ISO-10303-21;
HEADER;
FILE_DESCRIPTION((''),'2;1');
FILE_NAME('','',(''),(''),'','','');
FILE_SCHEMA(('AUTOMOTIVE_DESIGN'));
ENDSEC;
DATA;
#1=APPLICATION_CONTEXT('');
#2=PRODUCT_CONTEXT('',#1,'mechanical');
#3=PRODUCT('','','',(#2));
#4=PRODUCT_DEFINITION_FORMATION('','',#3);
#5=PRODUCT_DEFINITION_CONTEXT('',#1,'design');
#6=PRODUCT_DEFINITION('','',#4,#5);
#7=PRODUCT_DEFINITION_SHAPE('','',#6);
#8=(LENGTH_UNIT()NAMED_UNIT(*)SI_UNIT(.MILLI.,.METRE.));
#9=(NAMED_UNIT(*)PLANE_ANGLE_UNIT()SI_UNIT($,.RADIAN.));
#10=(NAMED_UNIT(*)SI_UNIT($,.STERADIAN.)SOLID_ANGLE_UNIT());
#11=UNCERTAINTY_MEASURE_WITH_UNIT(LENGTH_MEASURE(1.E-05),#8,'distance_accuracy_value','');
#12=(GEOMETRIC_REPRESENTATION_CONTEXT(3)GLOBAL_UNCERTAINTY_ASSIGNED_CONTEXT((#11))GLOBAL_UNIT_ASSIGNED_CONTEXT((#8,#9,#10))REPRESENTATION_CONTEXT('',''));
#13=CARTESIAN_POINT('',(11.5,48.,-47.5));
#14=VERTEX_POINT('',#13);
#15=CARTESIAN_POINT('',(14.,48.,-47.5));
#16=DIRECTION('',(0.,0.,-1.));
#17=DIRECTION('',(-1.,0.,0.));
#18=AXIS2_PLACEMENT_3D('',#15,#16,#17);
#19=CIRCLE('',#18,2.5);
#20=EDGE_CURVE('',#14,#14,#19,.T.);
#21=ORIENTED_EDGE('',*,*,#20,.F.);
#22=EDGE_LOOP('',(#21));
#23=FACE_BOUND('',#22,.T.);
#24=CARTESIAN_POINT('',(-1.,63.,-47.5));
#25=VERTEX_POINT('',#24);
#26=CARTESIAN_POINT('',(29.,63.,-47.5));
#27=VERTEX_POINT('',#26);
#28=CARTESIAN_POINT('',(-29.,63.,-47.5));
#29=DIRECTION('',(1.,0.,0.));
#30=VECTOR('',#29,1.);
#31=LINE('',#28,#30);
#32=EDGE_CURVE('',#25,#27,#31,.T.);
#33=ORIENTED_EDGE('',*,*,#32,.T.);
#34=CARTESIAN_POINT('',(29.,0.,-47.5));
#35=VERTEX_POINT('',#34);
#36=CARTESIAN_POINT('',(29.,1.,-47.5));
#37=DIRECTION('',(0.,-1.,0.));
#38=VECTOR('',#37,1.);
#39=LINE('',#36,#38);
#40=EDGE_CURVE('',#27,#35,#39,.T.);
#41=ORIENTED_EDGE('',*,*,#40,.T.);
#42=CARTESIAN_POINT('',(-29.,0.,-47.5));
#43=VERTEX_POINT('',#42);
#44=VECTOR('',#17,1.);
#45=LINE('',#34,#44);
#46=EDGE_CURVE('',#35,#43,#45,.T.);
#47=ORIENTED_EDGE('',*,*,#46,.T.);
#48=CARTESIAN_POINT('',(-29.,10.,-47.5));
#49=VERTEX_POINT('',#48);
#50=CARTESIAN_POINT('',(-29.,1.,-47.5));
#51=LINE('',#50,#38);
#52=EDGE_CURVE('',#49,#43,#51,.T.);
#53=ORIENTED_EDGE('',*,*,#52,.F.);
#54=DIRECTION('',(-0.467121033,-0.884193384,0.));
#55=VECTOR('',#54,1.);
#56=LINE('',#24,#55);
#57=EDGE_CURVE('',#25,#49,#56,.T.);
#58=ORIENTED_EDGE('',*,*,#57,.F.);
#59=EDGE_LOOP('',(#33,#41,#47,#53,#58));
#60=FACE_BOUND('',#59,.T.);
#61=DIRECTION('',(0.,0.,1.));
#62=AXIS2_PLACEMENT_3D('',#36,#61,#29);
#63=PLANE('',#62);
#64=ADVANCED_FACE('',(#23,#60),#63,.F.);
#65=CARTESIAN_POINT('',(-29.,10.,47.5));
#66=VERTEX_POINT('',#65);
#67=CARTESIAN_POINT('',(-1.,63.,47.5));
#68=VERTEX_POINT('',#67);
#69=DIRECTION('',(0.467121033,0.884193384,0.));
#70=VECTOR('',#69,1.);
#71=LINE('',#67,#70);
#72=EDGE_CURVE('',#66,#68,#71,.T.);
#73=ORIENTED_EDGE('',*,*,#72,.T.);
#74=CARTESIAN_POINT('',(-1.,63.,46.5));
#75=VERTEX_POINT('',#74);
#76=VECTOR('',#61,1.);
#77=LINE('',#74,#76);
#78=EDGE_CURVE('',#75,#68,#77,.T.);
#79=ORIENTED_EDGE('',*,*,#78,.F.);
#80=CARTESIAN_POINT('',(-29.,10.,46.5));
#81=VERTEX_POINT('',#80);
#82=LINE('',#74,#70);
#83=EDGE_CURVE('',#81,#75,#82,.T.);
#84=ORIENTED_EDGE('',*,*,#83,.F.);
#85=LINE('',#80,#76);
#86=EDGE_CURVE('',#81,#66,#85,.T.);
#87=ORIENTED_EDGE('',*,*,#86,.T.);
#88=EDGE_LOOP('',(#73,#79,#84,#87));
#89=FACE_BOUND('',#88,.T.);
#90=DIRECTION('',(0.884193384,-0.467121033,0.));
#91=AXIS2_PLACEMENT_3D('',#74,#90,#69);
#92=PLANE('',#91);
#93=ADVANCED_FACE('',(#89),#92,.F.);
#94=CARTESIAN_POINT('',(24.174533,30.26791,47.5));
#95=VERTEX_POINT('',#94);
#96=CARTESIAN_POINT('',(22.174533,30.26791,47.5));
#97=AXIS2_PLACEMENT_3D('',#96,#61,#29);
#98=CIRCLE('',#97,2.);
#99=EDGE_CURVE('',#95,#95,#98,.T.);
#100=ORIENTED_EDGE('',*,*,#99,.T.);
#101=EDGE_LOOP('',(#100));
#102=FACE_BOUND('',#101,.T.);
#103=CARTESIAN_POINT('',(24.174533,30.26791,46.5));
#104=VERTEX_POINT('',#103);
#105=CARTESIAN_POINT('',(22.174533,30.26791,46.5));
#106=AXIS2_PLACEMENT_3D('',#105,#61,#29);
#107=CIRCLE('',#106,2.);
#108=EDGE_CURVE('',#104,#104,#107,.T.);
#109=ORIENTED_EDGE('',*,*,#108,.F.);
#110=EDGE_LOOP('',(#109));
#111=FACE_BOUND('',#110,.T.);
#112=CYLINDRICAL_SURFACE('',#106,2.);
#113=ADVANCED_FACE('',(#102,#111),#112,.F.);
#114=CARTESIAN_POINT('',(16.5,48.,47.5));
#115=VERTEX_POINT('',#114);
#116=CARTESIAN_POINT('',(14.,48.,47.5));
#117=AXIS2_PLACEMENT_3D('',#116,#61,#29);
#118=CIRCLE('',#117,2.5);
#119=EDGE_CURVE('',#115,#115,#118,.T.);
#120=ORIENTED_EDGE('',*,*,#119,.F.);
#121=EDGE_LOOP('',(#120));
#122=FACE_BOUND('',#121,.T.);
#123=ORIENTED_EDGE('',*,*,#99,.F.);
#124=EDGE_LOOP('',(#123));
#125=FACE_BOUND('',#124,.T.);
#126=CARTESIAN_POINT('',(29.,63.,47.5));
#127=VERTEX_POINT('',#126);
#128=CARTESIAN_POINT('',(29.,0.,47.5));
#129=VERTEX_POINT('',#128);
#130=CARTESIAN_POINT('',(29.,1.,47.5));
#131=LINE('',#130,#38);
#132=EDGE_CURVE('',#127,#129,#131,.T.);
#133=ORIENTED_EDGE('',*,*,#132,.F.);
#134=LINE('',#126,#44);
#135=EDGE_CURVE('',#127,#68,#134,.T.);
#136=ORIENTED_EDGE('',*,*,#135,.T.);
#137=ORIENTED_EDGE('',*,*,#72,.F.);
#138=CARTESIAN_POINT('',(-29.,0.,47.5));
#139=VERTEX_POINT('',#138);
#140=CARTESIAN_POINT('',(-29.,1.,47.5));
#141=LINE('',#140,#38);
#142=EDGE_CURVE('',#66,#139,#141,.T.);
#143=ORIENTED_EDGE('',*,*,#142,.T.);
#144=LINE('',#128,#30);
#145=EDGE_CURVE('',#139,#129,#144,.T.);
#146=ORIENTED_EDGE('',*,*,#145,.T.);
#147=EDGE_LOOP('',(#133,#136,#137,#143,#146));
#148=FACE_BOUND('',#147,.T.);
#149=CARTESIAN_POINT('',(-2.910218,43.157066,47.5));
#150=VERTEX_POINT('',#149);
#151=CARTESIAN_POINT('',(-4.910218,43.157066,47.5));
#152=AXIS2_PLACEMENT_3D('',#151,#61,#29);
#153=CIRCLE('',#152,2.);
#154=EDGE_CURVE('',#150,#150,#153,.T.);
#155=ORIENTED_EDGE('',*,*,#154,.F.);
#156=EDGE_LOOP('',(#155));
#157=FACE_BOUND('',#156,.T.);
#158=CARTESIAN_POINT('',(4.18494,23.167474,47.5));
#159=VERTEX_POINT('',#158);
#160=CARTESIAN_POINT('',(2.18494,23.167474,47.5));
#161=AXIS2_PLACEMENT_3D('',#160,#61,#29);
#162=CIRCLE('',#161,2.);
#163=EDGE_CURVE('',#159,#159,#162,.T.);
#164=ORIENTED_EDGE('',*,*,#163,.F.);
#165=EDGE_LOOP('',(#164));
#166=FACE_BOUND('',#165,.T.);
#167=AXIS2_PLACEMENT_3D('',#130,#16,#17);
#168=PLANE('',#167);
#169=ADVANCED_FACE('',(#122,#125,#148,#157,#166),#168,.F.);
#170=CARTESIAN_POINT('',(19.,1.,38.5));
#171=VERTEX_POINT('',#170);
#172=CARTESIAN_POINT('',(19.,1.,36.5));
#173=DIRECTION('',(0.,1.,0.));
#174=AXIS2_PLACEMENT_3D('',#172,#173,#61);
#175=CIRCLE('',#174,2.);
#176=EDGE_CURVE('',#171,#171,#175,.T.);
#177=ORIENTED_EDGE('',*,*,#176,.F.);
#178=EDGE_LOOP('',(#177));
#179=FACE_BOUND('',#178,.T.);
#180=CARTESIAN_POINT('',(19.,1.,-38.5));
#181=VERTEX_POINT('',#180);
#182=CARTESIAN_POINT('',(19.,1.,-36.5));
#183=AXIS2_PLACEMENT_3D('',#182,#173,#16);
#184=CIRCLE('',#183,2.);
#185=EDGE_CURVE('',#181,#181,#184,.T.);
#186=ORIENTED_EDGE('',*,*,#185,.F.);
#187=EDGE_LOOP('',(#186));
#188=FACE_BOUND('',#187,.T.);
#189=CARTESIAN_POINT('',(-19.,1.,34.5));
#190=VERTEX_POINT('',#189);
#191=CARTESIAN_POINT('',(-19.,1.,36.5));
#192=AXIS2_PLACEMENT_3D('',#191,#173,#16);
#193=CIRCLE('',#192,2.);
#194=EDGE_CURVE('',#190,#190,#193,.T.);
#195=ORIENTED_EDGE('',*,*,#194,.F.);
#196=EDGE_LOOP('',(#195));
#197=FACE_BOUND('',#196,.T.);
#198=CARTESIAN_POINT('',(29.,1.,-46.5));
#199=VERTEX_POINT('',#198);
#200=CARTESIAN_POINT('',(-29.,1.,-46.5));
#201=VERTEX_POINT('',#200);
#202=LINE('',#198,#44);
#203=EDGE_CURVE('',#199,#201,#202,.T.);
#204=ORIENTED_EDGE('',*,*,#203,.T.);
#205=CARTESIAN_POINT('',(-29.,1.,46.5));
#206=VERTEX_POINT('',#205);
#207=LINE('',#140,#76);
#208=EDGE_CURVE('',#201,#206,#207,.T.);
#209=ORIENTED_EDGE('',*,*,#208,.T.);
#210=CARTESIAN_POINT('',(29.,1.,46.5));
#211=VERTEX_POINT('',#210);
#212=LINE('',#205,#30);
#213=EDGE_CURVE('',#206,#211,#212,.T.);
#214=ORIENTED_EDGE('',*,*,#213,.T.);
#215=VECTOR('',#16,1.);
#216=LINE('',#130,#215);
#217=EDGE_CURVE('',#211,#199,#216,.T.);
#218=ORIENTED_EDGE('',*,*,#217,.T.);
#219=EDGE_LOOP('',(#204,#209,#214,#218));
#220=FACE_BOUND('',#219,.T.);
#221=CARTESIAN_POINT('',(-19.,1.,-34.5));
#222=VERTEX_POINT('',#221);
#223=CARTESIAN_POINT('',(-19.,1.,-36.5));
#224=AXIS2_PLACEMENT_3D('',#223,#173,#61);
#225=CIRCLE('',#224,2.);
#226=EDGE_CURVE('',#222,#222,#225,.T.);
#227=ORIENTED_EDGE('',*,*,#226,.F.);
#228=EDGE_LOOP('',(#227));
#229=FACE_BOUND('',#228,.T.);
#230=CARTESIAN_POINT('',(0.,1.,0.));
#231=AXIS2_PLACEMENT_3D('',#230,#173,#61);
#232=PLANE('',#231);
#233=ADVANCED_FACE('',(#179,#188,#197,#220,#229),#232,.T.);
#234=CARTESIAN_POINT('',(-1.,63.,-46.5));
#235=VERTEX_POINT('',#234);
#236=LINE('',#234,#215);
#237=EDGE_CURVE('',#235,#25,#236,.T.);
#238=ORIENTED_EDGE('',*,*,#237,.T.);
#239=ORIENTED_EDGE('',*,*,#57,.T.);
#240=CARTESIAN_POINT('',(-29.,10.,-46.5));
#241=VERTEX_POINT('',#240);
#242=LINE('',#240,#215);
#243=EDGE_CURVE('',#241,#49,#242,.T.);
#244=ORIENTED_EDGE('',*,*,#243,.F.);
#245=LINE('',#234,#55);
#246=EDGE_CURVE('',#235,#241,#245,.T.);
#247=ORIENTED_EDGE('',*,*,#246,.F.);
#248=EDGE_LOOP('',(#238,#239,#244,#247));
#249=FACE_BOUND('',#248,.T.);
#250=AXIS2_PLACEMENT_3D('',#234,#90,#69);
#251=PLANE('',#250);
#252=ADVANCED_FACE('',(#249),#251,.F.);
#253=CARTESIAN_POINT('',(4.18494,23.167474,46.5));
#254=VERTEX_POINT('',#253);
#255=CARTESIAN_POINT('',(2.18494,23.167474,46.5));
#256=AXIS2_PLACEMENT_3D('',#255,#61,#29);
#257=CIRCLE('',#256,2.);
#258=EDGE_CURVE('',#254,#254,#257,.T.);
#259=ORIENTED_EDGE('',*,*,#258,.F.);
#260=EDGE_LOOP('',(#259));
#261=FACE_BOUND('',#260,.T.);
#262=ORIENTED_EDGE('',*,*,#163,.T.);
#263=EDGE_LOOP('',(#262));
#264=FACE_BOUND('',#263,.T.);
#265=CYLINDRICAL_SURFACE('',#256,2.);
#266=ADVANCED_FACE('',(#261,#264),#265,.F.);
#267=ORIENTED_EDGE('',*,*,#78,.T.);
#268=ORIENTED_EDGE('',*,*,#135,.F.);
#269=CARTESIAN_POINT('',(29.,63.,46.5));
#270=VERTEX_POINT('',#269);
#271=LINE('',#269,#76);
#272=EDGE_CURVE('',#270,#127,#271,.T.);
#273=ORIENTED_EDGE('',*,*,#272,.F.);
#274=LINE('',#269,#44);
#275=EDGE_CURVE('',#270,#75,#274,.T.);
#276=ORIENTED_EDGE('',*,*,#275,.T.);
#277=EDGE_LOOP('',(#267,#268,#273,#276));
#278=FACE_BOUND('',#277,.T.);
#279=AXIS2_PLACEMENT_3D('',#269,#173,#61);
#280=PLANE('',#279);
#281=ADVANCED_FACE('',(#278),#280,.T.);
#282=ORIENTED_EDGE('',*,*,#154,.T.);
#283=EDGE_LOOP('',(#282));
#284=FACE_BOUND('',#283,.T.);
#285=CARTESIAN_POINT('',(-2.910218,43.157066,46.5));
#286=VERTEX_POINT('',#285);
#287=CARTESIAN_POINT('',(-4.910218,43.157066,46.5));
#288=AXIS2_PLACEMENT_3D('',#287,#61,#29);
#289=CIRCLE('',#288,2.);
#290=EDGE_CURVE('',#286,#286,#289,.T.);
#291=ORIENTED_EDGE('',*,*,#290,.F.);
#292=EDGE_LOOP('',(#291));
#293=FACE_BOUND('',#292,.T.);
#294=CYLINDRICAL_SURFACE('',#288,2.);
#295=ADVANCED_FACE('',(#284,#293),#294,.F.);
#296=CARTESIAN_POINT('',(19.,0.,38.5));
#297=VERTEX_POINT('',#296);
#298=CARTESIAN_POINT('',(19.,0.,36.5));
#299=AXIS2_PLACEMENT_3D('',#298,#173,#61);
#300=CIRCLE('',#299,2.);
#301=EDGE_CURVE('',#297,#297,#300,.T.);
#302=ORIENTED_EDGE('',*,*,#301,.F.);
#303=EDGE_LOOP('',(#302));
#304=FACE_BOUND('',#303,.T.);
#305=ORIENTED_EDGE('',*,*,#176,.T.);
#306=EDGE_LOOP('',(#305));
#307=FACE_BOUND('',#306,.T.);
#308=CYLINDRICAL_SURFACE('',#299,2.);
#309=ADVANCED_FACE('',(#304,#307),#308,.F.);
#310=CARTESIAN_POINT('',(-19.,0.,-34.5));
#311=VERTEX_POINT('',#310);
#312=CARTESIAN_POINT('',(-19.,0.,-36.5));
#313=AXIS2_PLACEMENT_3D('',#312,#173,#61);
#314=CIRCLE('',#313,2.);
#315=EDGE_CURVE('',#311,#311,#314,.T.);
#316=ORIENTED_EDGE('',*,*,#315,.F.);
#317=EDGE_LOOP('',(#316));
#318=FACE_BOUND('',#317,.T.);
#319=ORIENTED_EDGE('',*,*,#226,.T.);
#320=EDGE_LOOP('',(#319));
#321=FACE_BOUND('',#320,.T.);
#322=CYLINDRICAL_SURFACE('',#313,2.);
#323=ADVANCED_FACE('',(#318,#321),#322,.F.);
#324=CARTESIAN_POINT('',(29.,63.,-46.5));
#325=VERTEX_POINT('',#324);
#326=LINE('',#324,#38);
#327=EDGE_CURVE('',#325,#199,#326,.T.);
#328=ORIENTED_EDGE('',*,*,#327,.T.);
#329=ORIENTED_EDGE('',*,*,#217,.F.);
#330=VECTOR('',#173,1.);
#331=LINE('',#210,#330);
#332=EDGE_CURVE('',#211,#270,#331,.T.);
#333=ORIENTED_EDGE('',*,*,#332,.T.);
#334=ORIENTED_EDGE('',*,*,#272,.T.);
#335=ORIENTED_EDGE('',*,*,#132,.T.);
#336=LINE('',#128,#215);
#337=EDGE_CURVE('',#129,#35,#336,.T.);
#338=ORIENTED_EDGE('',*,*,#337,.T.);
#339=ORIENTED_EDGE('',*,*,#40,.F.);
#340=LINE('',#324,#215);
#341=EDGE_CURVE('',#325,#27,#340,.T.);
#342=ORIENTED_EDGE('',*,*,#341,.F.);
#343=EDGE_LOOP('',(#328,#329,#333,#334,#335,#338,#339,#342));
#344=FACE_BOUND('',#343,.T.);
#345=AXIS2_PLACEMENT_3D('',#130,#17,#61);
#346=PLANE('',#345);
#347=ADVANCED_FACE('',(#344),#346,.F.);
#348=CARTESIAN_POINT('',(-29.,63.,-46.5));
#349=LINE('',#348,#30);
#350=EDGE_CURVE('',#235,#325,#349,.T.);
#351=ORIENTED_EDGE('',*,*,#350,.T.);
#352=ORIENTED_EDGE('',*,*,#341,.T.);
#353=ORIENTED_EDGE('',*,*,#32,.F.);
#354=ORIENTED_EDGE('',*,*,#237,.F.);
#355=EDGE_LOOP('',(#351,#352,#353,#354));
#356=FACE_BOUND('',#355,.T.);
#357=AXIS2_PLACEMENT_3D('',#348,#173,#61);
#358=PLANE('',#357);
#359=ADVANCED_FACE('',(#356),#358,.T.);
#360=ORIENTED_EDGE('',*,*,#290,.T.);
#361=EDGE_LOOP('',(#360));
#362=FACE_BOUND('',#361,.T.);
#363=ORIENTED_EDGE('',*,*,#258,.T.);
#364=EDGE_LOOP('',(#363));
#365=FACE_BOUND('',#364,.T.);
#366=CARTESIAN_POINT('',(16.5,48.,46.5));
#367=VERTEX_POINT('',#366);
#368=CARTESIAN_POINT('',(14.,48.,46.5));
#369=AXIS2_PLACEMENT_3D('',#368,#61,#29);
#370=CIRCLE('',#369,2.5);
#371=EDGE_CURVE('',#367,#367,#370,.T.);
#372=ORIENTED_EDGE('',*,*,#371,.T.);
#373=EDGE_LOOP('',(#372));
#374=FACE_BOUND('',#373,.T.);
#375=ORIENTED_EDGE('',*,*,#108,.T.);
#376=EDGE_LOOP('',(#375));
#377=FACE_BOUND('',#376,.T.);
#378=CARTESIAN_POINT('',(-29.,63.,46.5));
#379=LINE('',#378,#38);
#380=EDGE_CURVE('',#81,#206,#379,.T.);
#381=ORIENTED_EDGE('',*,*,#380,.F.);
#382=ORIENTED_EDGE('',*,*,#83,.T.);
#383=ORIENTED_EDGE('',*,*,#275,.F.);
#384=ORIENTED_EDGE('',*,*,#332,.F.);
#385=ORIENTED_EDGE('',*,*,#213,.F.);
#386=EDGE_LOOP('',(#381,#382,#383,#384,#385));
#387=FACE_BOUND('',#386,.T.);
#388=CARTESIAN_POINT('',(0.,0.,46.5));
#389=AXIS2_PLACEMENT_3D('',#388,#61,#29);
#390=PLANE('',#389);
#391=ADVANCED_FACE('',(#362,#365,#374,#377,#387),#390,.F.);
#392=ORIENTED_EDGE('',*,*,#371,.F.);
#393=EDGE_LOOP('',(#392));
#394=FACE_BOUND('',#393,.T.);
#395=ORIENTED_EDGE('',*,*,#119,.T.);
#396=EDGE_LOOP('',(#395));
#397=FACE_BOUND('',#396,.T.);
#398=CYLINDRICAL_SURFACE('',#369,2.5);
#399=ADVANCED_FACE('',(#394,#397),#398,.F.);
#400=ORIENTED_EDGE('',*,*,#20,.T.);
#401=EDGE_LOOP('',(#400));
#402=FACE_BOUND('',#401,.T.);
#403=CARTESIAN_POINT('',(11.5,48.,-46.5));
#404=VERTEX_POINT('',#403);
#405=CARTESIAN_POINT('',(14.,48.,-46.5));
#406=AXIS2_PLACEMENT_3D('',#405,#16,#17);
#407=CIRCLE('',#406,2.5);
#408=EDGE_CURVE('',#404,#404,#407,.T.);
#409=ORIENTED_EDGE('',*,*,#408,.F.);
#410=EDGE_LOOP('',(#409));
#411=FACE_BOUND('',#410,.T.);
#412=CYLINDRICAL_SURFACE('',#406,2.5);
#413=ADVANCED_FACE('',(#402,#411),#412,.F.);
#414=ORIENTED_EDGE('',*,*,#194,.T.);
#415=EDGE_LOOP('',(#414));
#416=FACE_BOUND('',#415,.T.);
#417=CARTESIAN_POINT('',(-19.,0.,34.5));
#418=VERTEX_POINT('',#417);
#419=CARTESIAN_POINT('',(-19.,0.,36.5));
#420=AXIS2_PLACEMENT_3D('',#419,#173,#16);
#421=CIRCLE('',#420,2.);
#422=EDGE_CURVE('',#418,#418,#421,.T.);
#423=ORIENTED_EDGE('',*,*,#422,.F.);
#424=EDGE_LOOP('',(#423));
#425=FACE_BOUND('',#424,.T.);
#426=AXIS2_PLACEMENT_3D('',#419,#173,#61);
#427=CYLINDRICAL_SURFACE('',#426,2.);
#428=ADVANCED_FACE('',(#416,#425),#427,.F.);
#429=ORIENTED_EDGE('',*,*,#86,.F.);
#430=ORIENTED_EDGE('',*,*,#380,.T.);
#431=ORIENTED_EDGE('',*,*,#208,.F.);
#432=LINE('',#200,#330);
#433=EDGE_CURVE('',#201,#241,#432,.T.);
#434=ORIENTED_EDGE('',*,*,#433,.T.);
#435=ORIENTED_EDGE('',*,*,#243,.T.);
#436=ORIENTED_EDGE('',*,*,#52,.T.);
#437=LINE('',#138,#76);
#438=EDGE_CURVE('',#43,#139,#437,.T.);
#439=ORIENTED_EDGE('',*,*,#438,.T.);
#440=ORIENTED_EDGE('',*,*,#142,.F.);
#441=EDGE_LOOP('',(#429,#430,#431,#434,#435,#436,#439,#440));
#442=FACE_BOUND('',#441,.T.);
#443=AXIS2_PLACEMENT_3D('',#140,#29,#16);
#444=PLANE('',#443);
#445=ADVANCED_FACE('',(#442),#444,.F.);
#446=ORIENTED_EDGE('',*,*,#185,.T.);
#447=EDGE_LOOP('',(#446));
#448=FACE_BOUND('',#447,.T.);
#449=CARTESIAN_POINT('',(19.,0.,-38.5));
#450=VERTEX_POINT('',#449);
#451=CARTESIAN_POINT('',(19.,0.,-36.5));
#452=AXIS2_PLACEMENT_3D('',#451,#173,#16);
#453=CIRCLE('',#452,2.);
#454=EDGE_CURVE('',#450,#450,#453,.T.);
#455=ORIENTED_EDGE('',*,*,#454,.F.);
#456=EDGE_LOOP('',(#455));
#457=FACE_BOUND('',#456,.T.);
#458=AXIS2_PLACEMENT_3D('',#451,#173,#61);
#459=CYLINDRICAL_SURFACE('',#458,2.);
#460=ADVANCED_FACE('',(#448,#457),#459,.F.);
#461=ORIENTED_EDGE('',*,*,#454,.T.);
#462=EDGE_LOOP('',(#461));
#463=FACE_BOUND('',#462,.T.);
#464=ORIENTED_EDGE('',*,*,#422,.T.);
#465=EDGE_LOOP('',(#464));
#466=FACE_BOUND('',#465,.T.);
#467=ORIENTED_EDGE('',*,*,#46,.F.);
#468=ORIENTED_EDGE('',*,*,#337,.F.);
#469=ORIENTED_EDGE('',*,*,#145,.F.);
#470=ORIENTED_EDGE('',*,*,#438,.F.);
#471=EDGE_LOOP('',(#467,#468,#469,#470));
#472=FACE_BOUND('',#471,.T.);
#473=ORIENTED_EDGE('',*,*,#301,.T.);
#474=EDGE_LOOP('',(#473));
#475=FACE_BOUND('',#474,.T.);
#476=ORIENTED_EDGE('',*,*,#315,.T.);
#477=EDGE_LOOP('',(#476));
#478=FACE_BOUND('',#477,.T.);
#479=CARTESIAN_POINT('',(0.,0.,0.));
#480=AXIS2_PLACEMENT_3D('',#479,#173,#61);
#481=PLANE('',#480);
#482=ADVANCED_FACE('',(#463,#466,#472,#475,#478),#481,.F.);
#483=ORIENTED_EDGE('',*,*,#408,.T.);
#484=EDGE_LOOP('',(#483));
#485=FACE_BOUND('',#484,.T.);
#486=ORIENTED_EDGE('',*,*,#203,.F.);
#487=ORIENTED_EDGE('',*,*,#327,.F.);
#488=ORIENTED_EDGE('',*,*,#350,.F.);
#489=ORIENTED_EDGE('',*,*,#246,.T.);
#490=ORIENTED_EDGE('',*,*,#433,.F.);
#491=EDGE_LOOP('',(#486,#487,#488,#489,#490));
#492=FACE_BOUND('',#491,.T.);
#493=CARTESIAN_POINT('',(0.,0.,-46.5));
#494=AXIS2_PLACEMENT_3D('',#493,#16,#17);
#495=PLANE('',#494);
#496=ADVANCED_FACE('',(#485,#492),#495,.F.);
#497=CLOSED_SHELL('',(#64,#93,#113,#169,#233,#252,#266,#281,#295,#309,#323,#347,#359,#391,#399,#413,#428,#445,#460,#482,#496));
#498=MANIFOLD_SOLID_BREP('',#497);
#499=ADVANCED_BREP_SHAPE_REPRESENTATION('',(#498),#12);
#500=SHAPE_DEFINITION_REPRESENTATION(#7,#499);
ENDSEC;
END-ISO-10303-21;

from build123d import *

# Parameters (mm, degrees)
CROQUIS1_W              = 58
CROQUIS1_H              = 95
SALIENTE_EXTRUIR4_DEPTH = 1
CROQUIS3_W              = 58
CROQUIS3_H              = 62
SALIENTE_EXTRUIR5_DEPTH = 1
CROQUIS4_W              = 58
CROQUIS4_H              = 62
SALIENTE_EXTRUIR6_DEPTH = 1
CORTAR_EXTRUIR4_DEPTH   = 1
CORTAR_EXTRUIR5_DEPTH   = 1
CROQUIS8_R              = 2.5
CORTAR_EXTRUIR6_DEPTH   = 1
CORTAR_EXTRUIR7_START   = -1
CROQUIS9_R              = 2.5
CORTAR_EXTRUIR7_DEPTH   = 1
CROQUIS10_R             = 2
CORTAR_EXTRUIR8_DEPTH   = 1
CROQUIS11_R             = 2
CORTAR_EXTRUIR9_DEPTH   = 1


with BuildPart() as part:
    # Croquis1 → Saliente-Extruir4 (new body)
    with BuildSketch(Plane(origin=(0, 0, 0), x_dir=(1, 0, 0), z_dir=(0, 1, 0))):
        Rectangle(CROQUIS1_W, CROQUIS1_H)
    extrude(amount=SALIENTE_EXTRUIR4_DEPTH)

    # Croquis3 → Saliente-Extruir5 (add)
    with BuildSketch(Plane.XY.offset(47.5)):
        with Locations((0, 32)):
            Rectangle(CROQUIS3_W, CROQUIS3_H)
    extrude(amount=-SALIENTE_EXTRUIR5_DEPTH)

    # Croquis4 → Saliente-Extruir6 (add)
    with BuildSketch(Plane(origin=(0, 0, -47.5), x_dir=(-1, 0, 0), z_dir=(0, 0, -1))):
        with Locations((0, 32)):
            Rectangle(CROQUIS4_W, CROQUIS4_H)
    extrude(amount=-SALIENTE_EXTRUIR6_DEPTH)

    # Croquis6 → Cortar-Extruir4 (cut)
    with BuildSketch(Plane(origin=(0, 0, -47.5), x_dir=(-1, 0, 0), z_dir=(0, 0, -1))):
        Polygon((1, 63), (29, 10), (29, 63), align=None)
    extrude(amount=-CORTAR_EXTRUIR4_DEPTH, mode=Mode.SUBTRACT)

    # Croquis7 → Cortar-Extruir5 (cut)
    with BuildSketch(Plane.XY.offset(47.5)):
        Polygon((-1, 63), (-29, 10), (-29, 63), align=None)
    extrude(amount=-CORTAR_EXTRUIR5_DEPTH, mode=Mode.SUBTRACT)

    # Croquis8 → Cortar-Extruir6 (cut)
    with BuildSketch(Plane.XY.offset(47.5)):
        with Locations((14, 48)):
            Circle(CROQUIS8_R)
    extrude(amount=-CORTAR_EXTRUIR6_DEPTH, mode=Mode.SUBTRACT)

    # Croquis9 → Cortar-Extruir7 (cut)
    with BuildSketch(Plane(origin=(0, 0, -47.5), x_dir=(-1, 0, 0), z_dir=(0, 0, -1)).offset(CORTAR_EXTRUIR7_START)):
        with Locations(Location((-14, 48, 0), (0, 0, 180))):
            Circle(CROQUIS9_R)
    extrude(amount=CORTAR_EXTRUIR7_DEPTH, mode=Mode.SUBTRACT)

    # Croquis10 → Cortar-Extruir8 (cut)
    with BuildSketch(Plane.XY.offset(47.5)):
        with Locations((-4.910218483, 43.157065968)):
            Circle(CROQUIS10_R)
        with Locations((2.184940403, 23.167473614)):
            Circle(CROQUIS10_R)
        with Locations((22.174532757, 30.267910044)):
            Circle(CROQUIS10_R)
    extrude(amount=-CORTAR_EXTRUIR8_DEPTH, mode=Mode.SUBTRACT)

    # Croquis11 → Cortar-Extruir9 (cut)
    with BuildSketch(Plane(origin=(0, 1, 0), x_dir=(1, 0, 0), z_dir=(0, 1, 0))):
        with Locations(Location((-19, 36.5, 0), (0, 0, 270))):
            Circle(CROQUIS11_R)
        with Locations(Location((19, 36.5, 0), (0, 0, 90))):
            Circle(CROQUIS11_R)
        with Locations(Location((19, -36.5, 0), (0, 0, 270))):
            Circle(CROQUIS11_R)
        with Locations(Location((-19, -36.5, 0), (0, 0, 90))):
            Circle(CROQUIS11_R)
    extrude(amount=-CORTAR_EXTRUIR9_DEPTH, mode=Mode.SUBTRACT)


solid = part.part
